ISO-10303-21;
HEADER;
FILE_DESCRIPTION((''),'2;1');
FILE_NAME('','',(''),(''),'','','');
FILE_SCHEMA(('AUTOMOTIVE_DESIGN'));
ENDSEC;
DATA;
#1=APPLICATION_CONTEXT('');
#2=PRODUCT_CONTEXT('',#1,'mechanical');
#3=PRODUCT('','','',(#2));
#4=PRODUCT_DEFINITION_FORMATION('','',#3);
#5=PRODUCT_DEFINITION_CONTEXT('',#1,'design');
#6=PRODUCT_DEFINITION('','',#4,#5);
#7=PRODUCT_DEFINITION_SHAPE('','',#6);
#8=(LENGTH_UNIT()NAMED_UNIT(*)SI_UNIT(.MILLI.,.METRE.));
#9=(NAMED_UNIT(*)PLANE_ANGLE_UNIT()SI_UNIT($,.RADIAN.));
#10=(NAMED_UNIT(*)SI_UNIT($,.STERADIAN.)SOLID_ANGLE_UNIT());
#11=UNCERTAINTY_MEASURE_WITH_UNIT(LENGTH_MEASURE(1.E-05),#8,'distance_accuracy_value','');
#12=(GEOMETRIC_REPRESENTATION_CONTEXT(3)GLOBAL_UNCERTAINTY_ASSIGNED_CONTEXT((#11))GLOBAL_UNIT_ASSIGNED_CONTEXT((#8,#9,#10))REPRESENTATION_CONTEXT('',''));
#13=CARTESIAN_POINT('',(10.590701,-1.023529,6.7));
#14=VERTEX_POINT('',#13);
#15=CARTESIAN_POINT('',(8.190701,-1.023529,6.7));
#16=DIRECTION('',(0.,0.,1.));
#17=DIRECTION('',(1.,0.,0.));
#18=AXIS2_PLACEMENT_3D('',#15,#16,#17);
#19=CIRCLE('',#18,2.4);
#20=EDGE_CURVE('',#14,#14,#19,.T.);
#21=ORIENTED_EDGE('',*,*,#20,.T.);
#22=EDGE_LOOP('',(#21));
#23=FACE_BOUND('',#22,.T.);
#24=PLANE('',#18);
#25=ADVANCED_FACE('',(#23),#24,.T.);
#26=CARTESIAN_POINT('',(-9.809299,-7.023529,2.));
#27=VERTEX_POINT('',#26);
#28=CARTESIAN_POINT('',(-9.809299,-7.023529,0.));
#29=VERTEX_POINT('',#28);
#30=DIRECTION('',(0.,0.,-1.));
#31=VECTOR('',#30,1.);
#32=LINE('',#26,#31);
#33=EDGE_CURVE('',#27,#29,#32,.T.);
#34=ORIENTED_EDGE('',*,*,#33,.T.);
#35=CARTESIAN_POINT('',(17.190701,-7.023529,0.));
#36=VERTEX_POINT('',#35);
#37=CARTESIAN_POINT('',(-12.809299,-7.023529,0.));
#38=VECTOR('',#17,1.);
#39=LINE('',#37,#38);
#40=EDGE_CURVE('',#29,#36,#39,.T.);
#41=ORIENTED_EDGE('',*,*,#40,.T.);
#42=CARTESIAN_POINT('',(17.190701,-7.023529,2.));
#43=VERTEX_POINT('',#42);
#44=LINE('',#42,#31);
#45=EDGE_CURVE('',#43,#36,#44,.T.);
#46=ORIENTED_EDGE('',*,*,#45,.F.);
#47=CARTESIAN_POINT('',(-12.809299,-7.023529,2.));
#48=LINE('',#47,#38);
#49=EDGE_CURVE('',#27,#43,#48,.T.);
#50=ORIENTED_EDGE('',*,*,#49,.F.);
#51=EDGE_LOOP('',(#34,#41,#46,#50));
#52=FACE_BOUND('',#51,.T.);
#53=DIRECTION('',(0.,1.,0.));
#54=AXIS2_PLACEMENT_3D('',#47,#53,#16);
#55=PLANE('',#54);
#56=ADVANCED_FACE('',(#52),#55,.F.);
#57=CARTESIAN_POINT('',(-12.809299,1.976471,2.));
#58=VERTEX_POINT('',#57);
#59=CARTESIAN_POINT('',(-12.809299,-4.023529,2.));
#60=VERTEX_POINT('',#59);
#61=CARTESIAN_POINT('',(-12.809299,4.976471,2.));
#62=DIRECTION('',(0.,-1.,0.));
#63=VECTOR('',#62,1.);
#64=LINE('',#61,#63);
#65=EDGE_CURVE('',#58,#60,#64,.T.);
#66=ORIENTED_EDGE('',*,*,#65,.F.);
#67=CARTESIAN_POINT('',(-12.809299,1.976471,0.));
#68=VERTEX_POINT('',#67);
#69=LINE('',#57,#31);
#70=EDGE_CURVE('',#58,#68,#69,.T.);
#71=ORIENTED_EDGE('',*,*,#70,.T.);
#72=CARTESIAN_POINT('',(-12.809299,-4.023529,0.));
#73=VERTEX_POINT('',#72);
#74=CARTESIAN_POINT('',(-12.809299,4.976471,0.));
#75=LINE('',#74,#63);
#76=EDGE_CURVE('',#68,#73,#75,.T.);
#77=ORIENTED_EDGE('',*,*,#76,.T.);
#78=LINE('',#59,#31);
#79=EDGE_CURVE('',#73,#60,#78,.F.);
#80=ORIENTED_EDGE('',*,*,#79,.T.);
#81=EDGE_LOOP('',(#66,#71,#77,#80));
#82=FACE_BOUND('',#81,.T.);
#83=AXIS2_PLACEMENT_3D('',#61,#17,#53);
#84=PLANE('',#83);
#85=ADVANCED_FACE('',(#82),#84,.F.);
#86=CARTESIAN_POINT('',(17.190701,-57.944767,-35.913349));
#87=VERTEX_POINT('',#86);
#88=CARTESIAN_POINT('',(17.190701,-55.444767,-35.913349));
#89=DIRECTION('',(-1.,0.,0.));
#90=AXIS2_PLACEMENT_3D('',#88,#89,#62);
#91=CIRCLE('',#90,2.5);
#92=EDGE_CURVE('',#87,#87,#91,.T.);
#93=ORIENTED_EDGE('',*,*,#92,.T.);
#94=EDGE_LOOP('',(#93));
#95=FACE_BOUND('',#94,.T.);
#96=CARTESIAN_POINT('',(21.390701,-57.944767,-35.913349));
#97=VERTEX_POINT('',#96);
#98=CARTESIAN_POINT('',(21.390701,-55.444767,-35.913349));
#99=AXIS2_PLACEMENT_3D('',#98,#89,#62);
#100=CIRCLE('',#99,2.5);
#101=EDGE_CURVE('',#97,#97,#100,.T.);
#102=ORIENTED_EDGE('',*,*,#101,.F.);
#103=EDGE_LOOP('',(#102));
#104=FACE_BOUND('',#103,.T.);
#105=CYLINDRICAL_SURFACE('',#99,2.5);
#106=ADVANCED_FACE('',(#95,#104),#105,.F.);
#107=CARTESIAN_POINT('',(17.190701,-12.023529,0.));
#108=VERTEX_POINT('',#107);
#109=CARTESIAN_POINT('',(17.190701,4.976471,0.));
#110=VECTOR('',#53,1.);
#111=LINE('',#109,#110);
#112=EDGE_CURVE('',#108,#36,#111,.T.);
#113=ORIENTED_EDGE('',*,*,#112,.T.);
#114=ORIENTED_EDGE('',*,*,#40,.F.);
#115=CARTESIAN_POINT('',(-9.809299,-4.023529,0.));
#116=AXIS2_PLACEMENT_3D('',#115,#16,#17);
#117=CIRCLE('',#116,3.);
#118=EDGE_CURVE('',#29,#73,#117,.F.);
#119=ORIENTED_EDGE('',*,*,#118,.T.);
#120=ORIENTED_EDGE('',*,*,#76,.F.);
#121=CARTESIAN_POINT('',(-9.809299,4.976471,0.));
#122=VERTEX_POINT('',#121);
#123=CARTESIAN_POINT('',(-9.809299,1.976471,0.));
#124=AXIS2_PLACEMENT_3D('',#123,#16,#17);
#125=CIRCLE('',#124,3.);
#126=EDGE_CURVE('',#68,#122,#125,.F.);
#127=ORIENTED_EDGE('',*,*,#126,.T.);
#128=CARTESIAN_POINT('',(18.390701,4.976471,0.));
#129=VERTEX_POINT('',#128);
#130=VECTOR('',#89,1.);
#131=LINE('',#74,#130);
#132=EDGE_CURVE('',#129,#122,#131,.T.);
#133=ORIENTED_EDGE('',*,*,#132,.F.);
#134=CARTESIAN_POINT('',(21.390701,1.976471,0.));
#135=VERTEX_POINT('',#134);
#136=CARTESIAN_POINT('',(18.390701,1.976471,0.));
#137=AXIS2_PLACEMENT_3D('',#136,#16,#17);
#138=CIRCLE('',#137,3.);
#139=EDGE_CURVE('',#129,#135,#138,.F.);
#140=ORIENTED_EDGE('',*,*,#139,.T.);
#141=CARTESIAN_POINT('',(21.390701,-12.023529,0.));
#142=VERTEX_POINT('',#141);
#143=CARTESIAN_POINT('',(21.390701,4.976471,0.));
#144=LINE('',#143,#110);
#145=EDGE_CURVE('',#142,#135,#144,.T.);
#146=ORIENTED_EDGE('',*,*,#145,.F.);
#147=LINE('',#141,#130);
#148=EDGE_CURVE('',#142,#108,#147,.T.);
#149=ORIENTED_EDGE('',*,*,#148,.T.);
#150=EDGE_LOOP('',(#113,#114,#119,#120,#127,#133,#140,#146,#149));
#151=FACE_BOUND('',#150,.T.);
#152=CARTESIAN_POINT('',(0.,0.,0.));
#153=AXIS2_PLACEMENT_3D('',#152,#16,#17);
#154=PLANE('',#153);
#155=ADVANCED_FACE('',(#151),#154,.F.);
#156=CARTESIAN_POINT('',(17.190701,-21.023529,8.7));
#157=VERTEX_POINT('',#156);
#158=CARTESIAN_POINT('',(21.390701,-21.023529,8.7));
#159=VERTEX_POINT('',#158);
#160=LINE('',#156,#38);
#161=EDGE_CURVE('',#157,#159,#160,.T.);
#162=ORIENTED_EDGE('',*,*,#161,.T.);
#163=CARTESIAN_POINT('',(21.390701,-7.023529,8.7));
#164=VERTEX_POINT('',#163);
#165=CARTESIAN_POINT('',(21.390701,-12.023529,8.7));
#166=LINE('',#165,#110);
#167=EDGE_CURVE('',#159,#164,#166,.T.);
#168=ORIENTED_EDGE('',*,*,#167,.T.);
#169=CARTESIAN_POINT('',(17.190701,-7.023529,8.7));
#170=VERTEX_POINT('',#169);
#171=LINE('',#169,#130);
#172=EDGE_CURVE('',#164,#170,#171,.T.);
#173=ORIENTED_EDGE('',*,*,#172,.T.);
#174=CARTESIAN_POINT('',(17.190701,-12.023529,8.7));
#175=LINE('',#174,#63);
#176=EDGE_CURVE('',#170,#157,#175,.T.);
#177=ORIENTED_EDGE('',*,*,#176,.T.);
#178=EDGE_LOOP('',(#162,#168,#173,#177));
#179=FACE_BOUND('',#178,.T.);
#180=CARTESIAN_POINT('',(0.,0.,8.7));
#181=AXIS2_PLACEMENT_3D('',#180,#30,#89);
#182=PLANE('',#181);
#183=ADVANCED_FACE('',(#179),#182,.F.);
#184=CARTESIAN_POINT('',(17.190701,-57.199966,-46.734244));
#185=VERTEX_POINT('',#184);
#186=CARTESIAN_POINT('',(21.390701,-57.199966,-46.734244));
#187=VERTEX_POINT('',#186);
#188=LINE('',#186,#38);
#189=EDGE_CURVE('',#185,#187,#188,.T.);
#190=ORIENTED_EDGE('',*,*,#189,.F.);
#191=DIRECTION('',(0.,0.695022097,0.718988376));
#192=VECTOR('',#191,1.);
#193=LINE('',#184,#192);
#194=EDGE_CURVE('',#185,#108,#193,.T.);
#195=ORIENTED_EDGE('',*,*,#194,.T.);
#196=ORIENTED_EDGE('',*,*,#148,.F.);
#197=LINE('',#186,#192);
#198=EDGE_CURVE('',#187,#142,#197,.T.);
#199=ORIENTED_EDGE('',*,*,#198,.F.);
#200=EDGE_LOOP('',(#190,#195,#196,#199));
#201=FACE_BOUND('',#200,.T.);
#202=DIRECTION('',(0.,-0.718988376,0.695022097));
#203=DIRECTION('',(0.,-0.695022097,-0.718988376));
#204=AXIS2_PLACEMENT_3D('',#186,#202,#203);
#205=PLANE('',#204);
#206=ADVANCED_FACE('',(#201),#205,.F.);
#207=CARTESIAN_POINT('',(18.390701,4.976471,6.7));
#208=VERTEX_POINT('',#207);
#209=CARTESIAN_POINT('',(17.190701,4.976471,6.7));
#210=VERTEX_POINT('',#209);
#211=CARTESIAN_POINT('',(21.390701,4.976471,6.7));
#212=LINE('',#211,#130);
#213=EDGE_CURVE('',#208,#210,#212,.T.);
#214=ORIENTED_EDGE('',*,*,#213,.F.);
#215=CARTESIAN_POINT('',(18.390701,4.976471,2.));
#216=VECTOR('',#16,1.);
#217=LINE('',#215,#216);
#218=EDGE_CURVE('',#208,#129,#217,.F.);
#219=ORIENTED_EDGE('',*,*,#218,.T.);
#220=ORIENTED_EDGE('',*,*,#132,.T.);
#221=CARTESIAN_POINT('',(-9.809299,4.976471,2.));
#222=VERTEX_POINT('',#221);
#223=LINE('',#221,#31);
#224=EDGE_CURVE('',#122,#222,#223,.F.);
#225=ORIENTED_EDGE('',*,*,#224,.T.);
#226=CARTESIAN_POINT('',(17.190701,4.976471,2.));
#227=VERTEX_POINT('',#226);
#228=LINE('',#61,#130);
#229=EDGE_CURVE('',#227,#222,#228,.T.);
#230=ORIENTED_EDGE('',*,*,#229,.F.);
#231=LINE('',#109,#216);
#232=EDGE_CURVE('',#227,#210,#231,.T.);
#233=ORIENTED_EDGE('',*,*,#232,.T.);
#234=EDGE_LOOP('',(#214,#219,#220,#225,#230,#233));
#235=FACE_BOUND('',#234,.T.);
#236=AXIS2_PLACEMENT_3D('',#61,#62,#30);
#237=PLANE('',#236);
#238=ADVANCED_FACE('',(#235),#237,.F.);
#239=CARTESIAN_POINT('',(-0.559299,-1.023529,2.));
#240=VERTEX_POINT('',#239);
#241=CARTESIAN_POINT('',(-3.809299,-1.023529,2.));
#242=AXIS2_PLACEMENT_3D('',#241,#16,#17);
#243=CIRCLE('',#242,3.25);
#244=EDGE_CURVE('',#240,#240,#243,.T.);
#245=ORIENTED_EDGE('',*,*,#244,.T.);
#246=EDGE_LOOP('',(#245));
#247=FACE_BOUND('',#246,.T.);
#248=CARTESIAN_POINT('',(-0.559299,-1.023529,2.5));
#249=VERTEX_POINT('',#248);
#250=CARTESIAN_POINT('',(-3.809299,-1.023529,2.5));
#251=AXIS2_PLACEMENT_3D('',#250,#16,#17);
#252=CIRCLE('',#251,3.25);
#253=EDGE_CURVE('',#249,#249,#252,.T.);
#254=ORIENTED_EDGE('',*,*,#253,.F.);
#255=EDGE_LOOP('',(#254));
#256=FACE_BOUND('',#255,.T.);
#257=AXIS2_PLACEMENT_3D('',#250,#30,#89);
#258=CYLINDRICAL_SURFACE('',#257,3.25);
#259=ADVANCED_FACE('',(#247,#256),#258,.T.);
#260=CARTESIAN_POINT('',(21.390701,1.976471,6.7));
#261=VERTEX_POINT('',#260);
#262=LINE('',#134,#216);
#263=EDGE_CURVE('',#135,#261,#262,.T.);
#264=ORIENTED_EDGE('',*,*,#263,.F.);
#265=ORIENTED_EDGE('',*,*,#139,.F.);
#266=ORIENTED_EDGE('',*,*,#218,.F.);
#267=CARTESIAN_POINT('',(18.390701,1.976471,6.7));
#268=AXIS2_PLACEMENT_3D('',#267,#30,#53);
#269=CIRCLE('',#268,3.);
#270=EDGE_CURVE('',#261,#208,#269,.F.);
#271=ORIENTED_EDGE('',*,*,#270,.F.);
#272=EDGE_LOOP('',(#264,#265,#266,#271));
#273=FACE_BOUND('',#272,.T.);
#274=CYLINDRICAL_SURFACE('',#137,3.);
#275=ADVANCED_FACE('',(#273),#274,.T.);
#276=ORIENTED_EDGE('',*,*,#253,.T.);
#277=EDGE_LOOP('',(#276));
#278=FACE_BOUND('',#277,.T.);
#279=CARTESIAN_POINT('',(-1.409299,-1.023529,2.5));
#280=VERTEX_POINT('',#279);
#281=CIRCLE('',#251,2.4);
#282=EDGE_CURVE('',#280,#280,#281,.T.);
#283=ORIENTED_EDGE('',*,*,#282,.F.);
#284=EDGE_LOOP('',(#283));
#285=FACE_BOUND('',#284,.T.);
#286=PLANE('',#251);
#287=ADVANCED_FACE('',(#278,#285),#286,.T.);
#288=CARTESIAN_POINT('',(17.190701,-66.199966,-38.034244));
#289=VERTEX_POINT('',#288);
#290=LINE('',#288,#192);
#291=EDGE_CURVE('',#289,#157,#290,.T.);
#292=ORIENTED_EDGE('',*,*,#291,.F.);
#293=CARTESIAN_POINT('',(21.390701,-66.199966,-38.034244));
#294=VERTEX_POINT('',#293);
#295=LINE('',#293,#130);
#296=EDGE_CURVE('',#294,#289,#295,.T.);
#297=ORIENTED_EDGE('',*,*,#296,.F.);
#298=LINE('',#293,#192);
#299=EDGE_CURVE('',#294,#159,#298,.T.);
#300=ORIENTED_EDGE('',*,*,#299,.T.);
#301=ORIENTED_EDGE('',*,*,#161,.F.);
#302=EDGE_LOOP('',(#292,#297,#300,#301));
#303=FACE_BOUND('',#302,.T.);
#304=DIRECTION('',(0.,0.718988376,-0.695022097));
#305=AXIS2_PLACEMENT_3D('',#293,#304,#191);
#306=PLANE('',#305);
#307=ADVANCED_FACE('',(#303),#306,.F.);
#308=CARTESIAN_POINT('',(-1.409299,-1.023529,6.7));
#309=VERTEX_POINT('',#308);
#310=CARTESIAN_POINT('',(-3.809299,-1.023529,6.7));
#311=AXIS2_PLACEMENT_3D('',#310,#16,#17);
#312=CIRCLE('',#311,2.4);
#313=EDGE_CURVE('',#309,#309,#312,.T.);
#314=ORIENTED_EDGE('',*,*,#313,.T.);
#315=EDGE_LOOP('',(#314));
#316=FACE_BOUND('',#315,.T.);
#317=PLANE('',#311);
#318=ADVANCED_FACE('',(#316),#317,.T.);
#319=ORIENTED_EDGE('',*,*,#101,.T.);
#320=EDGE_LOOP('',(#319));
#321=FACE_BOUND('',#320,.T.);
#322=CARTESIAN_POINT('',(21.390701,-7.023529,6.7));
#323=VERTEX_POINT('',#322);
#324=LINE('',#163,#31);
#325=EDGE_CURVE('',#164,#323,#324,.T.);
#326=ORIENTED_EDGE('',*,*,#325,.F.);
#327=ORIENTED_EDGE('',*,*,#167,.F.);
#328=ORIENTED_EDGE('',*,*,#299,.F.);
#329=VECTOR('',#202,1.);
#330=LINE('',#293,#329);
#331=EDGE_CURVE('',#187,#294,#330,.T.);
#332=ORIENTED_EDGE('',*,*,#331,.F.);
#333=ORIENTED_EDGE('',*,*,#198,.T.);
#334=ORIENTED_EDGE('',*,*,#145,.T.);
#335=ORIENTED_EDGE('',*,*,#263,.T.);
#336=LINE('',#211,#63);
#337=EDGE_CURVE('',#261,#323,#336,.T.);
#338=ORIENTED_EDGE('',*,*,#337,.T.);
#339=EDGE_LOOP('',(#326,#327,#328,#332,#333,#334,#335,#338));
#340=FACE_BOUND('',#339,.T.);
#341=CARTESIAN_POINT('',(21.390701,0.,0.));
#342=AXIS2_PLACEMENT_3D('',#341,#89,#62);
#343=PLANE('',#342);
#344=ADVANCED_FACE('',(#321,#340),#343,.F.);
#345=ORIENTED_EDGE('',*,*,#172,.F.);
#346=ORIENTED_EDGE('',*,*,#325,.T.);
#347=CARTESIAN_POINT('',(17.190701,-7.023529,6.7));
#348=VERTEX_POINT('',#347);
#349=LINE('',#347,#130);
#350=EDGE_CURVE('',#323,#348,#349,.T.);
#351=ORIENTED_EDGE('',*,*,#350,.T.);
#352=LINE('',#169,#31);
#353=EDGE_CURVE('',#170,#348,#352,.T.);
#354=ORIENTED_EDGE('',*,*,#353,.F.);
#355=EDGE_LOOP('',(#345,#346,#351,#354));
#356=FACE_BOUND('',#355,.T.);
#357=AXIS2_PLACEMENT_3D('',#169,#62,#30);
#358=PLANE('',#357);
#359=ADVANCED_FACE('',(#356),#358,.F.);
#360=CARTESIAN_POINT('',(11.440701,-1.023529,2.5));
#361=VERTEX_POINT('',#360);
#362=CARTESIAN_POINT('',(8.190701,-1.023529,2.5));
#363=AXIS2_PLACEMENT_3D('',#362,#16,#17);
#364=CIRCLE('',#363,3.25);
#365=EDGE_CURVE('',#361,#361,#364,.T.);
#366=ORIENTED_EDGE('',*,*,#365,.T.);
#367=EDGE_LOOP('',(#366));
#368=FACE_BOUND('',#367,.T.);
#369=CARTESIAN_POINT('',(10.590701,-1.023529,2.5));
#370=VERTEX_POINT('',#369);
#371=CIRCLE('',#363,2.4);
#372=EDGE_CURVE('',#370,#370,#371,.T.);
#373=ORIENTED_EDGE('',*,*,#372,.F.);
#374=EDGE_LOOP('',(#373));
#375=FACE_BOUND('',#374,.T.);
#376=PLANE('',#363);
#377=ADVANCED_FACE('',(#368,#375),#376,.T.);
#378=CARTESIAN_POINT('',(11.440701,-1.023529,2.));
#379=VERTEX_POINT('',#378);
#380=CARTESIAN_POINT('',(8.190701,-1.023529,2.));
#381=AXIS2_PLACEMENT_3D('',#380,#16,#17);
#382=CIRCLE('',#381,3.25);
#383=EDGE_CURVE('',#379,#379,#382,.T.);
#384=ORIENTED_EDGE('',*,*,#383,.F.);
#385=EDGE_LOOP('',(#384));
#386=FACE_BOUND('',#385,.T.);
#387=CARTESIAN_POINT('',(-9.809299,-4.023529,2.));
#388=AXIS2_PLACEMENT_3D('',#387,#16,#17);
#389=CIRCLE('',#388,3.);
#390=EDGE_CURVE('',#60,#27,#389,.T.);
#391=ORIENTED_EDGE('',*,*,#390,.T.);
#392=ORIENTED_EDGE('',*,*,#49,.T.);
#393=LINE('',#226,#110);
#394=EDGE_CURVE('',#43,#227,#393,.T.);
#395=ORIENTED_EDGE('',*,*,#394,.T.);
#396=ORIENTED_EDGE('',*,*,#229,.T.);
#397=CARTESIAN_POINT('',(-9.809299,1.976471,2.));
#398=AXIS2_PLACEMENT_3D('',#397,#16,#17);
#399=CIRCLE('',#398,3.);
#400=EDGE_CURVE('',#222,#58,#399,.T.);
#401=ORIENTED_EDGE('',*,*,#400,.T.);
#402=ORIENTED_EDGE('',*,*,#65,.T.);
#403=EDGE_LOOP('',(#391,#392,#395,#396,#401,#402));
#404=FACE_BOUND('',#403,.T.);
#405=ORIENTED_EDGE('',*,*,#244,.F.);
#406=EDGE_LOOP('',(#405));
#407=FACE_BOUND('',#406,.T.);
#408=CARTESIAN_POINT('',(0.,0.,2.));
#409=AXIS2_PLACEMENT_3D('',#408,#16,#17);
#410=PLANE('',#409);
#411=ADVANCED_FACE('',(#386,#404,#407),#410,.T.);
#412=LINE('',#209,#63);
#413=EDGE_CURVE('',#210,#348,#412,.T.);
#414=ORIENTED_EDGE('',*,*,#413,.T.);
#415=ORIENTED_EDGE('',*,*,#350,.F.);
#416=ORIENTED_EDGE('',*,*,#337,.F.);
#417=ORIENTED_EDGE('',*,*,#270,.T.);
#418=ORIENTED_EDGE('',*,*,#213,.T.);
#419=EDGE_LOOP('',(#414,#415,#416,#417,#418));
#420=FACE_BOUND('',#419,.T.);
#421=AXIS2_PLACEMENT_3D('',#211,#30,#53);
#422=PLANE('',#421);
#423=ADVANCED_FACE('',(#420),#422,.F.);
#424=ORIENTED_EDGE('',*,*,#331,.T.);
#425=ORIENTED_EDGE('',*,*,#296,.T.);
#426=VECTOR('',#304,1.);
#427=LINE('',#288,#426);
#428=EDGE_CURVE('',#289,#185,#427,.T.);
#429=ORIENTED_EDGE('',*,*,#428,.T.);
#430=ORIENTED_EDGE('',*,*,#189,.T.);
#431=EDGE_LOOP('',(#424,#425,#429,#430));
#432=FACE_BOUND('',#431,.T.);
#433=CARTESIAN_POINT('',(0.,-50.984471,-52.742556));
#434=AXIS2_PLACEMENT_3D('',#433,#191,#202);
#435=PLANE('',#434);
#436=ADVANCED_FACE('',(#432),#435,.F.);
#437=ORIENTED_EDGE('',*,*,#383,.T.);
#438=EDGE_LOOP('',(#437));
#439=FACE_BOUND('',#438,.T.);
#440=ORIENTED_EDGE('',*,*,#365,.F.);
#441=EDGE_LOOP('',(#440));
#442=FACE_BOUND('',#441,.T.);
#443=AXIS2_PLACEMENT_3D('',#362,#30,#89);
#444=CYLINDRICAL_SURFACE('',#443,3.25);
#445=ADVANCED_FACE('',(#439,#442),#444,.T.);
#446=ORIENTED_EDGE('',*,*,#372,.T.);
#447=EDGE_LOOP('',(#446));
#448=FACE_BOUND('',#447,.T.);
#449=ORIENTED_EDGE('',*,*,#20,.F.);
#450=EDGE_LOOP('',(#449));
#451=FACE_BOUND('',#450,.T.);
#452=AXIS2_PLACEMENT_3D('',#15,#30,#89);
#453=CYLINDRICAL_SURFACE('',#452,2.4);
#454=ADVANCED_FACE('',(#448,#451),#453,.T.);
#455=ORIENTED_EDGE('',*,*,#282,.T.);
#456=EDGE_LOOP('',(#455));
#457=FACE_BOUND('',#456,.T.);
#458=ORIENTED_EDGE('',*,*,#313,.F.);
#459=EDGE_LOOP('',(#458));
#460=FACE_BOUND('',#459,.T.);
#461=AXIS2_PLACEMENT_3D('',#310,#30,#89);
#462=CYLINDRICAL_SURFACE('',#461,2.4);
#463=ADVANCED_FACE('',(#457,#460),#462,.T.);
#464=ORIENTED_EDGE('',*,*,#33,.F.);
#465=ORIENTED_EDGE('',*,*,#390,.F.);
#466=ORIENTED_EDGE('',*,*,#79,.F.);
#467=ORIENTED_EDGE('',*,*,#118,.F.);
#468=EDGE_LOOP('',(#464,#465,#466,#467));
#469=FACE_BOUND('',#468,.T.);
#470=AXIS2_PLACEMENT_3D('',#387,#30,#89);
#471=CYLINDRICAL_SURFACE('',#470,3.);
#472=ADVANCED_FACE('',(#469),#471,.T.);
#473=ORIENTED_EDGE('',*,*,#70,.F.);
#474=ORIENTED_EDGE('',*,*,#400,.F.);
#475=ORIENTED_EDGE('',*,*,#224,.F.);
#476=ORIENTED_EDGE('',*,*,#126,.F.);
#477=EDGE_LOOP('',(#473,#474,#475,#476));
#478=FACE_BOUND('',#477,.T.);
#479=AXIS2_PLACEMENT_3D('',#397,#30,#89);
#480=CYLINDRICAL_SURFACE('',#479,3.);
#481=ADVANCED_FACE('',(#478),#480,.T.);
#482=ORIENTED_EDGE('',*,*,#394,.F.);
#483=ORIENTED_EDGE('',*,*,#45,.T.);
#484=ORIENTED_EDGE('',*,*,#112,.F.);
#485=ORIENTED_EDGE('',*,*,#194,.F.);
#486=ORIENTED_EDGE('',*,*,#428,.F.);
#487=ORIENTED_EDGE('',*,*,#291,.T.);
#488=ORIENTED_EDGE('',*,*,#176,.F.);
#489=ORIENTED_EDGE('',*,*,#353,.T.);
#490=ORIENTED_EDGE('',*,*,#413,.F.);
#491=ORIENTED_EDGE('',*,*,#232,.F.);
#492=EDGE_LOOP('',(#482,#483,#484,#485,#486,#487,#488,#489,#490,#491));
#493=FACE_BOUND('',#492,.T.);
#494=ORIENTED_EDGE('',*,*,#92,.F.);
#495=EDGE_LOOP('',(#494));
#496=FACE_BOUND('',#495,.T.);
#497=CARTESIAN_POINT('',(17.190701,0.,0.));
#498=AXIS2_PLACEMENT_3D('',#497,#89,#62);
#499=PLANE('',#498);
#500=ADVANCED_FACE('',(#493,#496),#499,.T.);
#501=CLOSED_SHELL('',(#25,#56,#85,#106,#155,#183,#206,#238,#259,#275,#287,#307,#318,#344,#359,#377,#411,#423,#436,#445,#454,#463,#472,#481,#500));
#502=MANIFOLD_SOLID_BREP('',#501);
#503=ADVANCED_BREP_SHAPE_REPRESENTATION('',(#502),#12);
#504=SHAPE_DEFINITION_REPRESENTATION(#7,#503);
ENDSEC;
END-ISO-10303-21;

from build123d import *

# Parameters (mm, degrees)
ESQUISSE1_W             = 30
ESQUISSE1_H             = 12
BOSS_EXTRU_1_DEPTH      = 2
ESQUISSE2_R             = 3.25
BOSS_EXTRU_2_DEPTH      = 0.5
ESQUISSE3_R             = 2.4
BOSS_EXTRU_3_DEPTH      = 4.2
ESQUISSE6_W             = 6.7
ESQUISSE6_H             = 17
BOSS_EXTRU_4_DEPTH      = 4.2
ESQUISSE8_W             = 4.2
ESQUISSE8_H             = 5
BOSS_EXTRU_5_DEPTH      = 2
CONG_1_R                = 3
BOSS_EXTRU_6_START      = -4.2
BOSS_EXTRU_6_DEPTH      = 4.2
ESQUISSE12_W            = 4.2
ESQUISSE12_H            = 12.517587627
BOSS_EXTRU_8_DEPTH      = 65
ESQUISSE13_R            = 2.5
ENL_V_MAT_EXTRU_2_DEPTH = 4.2


with BuildPart() as part:
    # Esquisse1 → Boss.-Extru.1 (new body)
    with BuildSketch(Plane.XY):
        with Locations((2.190701098, -1.023529412)):
            Rectangle(ESQUISSE1_W, ESQUISSE1_H)
    extrude(amount=BOSS_EXTRU_1_DEPTH)

    # Esquisse2 → Boss.-Extru.2 (add)
    with BuildSketch(Plane.XY.offset(2)):
        with Locations((8.190701098, -1.023529412)):
            Circle(ESQUISSE2_R)
        with Locations((-3.809298902, -1.023529412)):
            Circle(ESQUISSE2_R)
    extrude(amount=BOSS_EXTRU_2_DEPTH)

    # Esquisse3 → Boss.-Extru.3 (add)
    with BuildSketch(Plane.XY.offset(2.5)):
        with Locations((-3.809298902, -1.023529412)):
            Circle(ESQUISSE3_R)
        with Locations((8.190701098, -1.023529412)):
            Circle(ESQUISSE3_R)
    extrude(amount=BOSS_EXTRU_3_DEPTH)

    # Esquisse6 → Boss.-Extru.4 (add)
    with BuildSketch(Plane(origin=(17.190701098, 0, 0), x_dir=(0, 0, -1), z_dir=(1, 0, 0))):
        with Locations((-3.35, -3.523529412)):
            Rectangle(ESQUISSE6_W, ESQUISSE6_H)
    extrude(amount=BOSS_EXTRU_4_DEPTH)

    # Esquisse8 → Boss.-Extru.5 (add)
    with BuildSketch(Plane.XY.offset(6.7)):
        with Locations((19.290701098, -9.523529412)):
            Rectangle(ESQUISSE8_W, ESQUISSE8_H)
    extrude(amount=BOSS_EXTRU_5_DEPTH)

    # Congé1
    cong_1_edges = [part.edges().sort_by_distance(p)[0] for p in [
        (21.390701098, 4.976470588, 3.35),
        (-12.809298902, 4.976470588, 1),
        (-12.809298902, -7.023529412, 1),
    ]]
    fillet(cong_1_edges, radius=CONG_1_R)

    # Esquisse9 → Boss.-Extru.6 (add)
    with BuildSketch(Plane(origin=(21.390701098, 0, 0), x_dir=(0, 0, -1), z_dir=(1, 0, 0)).offset(BOSS_EXTRU_6_START)):
        Polygon((-8.7, -12.023529412), (-8.7, -21.023529412), (0, -12.023529412), align=None)
    extrude(amount=BOSS_EXTRU_6_DEPTH)

    # Esquisse12 → Boss.-Extru.8 (add)
    with BuildSketch(Plane(origin=(0, -5.808034598, -6.008311653), x_dir=(1, 0, 0), z_dir=(0, -0.6950220968474751, -0.7189883760491119))):
        with Locations((19.290701098, 14.9035717)):
            Rectangle(ESQUISSE12_W, ESQUISSE12_H)
    extrude(amount=BOSS_EXTRU_8_DEPTH)

    # Esquisse13 → Enlèv. mat.-Extru.2 (cut)
    with BuildSketch(Plane.ZY.offset(-17.190701098)):
        with Locations(Location((-35.913349059, -55.444766835, 0), (0, 0, 270))):
            Circle(ESQUISSE13_R)
    extrude(amount=-ENL_V_MAT_EXTRU_2_DEPTH, mode=Mode.SUBTRACT)


solid = part.part
